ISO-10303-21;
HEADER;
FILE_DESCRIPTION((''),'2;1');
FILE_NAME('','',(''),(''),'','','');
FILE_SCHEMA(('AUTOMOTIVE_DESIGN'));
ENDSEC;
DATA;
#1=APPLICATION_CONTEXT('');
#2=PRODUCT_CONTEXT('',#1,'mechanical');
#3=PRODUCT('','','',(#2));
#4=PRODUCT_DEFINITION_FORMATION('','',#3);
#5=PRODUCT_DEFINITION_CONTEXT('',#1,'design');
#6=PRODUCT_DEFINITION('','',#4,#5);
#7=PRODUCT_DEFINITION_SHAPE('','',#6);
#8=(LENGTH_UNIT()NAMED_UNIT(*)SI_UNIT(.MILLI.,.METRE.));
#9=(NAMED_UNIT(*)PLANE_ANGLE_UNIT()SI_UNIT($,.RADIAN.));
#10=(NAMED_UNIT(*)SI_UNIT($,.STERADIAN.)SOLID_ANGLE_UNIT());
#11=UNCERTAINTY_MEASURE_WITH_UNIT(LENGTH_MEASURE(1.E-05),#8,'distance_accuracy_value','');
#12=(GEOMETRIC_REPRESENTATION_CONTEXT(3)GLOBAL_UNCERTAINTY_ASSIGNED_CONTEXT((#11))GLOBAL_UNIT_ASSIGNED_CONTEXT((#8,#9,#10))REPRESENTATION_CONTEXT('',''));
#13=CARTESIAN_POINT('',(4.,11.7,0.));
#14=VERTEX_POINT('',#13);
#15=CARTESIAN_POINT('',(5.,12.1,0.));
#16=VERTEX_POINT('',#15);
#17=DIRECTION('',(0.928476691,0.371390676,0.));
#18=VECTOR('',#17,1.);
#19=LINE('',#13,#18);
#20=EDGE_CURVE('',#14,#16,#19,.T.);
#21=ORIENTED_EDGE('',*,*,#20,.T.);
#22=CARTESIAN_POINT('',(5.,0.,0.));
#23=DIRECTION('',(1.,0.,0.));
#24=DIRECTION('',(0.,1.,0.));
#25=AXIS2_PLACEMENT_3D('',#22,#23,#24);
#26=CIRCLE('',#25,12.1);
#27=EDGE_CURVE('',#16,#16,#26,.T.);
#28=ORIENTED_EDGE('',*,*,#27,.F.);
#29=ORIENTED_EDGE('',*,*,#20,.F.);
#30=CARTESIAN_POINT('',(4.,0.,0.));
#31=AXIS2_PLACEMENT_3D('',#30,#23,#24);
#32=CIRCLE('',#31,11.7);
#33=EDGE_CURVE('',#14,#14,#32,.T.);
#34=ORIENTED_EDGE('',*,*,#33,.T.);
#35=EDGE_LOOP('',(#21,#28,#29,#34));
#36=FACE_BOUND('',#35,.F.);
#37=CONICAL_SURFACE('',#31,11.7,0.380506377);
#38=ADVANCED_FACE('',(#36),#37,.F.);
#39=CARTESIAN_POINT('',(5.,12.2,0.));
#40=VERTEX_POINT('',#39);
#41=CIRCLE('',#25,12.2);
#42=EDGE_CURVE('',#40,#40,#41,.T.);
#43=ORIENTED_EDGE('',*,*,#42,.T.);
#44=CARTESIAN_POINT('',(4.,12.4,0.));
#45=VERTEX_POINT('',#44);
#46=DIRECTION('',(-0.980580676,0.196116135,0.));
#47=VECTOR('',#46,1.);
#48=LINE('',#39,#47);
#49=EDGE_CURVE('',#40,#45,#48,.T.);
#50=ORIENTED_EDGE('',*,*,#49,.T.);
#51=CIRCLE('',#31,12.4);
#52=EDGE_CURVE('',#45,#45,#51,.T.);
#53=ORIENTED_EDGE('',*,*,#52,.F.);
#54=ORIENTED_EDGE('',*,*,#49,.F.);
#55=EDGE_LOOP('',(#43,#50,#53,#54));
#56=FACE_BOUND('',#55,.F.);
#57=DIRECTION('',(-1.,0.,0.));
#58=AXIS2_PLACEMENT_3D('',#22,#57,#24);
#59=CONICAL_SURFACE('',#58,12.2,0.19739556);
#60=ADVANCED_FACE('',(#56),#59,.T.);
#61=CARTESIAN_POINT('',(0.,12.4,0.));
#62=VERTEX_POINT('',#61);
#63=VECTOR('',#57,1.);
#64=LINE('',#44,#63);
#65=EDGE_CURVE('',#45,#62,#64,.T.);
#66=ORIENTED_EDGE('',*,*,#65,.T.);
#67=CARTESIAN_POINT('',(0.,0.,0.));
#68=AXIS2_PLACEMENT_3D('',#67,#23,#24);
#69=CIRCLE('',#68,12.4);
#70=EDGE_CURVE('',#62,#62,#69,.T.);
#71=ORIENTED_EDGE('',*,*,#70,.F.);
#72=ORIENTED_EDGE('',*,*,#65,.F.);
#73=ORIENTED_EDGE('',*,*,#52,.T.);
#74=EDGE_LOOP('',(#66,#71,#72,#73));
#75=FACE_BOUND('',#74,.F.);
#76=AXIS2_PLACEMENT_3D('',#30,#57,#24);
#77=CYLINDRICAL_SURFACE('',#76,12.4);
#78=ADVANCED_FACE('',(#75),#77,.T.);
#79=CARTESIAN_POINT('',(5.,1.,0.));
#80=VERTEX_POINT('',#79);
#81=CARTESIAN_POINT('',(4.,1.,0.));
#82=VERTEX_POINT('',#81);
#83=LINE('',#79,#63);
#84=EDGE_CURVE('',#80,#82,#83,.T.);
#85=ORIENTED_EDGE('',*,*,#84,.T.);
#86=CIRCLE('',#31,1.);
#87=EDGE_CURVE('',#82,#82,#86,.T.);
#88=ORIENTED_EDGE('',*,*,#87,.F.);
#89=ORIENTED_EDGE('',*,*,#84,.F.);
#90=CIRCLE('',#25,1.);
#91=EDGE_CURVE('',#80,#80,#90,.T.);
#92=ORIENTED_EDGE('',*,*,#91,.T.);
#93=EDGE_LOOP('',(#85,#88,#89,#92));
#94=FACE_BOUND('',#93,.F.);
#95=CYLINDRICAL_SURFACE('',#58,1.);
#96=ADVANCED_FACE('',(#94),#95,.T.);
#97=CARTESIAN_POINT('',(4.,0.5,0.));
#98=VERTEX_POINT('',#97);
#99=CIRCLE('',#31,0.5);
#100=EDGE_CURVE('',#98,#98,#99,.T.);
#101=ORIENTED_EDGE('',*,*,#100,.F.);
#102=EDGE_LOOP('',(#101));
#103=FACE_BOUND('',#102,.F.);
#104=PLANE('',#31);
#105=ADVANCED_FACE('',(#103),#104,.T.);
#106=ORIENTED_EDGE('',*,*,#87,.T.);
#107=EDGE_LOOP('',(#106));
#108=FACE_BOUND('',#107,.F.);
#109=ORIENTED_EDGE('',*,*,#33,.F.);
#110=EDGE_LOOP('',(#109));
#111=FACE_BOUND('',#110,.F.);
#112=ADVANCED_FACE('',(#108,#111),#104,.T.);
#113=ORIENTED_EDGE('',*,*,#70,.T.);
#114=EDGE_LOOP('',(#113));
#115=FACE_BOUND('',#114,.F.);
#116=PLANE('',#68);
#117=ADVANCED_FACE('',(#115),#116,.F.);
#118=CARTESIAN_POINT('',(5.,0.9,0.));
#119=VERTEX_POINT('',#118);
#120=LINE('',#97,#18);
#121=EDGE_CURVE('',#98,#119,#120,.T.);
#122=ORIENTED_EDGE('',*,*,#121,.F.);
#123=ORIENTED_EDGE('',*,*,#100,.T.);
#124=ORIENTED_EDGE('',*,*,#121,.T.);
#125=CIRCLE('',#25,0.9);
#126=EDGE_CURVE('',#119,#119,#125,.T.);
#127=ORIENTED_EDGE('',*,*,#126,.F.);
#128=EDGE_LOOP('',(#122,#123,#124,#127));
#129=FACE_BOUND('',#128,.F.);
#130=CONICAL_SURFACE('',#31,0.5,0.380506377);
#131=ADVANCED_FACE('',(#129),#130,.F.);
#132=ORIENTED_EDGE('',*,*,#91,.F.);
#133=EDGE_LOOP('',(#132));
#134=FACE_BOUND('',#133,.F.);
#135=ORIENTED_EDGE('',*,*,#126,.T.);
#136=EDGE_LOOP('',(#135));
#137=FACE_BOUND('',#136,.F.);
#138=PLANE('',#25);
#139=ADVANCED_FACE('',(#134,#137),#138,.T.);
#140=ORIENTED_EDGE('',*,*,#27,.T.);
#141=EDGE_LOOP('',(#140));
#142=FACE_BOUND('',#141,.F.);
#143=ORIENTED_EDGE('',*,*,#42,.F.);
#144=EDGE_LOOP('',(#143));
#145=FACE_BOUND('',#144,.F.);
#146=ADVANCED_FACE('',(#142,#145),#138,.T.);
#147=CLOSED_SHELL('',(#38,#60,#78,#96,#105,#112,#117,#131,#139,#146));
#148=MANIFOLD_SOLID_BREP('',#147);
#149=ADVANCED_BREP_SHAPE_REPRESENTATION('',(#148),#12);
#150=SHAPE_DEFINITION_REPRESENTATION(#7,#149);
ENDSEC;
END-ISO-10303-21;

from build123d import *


with BuildPart() as part:
    # Szkic1 → Obrót1 (revolve)
    with BuildSketch(Plane.XY):
        Polygon((0, 12.4), (0, 0), (4, 0), (4, 0.5), (5, 0.9), (5, 1), (4, 1), (4, 11.7), (5, 12.1), (5, 12.2), (4, 12.4), align=None)
    revolve(axis=Axis((0, 0, 0), (1, 0, 0)))


solid = part.part
